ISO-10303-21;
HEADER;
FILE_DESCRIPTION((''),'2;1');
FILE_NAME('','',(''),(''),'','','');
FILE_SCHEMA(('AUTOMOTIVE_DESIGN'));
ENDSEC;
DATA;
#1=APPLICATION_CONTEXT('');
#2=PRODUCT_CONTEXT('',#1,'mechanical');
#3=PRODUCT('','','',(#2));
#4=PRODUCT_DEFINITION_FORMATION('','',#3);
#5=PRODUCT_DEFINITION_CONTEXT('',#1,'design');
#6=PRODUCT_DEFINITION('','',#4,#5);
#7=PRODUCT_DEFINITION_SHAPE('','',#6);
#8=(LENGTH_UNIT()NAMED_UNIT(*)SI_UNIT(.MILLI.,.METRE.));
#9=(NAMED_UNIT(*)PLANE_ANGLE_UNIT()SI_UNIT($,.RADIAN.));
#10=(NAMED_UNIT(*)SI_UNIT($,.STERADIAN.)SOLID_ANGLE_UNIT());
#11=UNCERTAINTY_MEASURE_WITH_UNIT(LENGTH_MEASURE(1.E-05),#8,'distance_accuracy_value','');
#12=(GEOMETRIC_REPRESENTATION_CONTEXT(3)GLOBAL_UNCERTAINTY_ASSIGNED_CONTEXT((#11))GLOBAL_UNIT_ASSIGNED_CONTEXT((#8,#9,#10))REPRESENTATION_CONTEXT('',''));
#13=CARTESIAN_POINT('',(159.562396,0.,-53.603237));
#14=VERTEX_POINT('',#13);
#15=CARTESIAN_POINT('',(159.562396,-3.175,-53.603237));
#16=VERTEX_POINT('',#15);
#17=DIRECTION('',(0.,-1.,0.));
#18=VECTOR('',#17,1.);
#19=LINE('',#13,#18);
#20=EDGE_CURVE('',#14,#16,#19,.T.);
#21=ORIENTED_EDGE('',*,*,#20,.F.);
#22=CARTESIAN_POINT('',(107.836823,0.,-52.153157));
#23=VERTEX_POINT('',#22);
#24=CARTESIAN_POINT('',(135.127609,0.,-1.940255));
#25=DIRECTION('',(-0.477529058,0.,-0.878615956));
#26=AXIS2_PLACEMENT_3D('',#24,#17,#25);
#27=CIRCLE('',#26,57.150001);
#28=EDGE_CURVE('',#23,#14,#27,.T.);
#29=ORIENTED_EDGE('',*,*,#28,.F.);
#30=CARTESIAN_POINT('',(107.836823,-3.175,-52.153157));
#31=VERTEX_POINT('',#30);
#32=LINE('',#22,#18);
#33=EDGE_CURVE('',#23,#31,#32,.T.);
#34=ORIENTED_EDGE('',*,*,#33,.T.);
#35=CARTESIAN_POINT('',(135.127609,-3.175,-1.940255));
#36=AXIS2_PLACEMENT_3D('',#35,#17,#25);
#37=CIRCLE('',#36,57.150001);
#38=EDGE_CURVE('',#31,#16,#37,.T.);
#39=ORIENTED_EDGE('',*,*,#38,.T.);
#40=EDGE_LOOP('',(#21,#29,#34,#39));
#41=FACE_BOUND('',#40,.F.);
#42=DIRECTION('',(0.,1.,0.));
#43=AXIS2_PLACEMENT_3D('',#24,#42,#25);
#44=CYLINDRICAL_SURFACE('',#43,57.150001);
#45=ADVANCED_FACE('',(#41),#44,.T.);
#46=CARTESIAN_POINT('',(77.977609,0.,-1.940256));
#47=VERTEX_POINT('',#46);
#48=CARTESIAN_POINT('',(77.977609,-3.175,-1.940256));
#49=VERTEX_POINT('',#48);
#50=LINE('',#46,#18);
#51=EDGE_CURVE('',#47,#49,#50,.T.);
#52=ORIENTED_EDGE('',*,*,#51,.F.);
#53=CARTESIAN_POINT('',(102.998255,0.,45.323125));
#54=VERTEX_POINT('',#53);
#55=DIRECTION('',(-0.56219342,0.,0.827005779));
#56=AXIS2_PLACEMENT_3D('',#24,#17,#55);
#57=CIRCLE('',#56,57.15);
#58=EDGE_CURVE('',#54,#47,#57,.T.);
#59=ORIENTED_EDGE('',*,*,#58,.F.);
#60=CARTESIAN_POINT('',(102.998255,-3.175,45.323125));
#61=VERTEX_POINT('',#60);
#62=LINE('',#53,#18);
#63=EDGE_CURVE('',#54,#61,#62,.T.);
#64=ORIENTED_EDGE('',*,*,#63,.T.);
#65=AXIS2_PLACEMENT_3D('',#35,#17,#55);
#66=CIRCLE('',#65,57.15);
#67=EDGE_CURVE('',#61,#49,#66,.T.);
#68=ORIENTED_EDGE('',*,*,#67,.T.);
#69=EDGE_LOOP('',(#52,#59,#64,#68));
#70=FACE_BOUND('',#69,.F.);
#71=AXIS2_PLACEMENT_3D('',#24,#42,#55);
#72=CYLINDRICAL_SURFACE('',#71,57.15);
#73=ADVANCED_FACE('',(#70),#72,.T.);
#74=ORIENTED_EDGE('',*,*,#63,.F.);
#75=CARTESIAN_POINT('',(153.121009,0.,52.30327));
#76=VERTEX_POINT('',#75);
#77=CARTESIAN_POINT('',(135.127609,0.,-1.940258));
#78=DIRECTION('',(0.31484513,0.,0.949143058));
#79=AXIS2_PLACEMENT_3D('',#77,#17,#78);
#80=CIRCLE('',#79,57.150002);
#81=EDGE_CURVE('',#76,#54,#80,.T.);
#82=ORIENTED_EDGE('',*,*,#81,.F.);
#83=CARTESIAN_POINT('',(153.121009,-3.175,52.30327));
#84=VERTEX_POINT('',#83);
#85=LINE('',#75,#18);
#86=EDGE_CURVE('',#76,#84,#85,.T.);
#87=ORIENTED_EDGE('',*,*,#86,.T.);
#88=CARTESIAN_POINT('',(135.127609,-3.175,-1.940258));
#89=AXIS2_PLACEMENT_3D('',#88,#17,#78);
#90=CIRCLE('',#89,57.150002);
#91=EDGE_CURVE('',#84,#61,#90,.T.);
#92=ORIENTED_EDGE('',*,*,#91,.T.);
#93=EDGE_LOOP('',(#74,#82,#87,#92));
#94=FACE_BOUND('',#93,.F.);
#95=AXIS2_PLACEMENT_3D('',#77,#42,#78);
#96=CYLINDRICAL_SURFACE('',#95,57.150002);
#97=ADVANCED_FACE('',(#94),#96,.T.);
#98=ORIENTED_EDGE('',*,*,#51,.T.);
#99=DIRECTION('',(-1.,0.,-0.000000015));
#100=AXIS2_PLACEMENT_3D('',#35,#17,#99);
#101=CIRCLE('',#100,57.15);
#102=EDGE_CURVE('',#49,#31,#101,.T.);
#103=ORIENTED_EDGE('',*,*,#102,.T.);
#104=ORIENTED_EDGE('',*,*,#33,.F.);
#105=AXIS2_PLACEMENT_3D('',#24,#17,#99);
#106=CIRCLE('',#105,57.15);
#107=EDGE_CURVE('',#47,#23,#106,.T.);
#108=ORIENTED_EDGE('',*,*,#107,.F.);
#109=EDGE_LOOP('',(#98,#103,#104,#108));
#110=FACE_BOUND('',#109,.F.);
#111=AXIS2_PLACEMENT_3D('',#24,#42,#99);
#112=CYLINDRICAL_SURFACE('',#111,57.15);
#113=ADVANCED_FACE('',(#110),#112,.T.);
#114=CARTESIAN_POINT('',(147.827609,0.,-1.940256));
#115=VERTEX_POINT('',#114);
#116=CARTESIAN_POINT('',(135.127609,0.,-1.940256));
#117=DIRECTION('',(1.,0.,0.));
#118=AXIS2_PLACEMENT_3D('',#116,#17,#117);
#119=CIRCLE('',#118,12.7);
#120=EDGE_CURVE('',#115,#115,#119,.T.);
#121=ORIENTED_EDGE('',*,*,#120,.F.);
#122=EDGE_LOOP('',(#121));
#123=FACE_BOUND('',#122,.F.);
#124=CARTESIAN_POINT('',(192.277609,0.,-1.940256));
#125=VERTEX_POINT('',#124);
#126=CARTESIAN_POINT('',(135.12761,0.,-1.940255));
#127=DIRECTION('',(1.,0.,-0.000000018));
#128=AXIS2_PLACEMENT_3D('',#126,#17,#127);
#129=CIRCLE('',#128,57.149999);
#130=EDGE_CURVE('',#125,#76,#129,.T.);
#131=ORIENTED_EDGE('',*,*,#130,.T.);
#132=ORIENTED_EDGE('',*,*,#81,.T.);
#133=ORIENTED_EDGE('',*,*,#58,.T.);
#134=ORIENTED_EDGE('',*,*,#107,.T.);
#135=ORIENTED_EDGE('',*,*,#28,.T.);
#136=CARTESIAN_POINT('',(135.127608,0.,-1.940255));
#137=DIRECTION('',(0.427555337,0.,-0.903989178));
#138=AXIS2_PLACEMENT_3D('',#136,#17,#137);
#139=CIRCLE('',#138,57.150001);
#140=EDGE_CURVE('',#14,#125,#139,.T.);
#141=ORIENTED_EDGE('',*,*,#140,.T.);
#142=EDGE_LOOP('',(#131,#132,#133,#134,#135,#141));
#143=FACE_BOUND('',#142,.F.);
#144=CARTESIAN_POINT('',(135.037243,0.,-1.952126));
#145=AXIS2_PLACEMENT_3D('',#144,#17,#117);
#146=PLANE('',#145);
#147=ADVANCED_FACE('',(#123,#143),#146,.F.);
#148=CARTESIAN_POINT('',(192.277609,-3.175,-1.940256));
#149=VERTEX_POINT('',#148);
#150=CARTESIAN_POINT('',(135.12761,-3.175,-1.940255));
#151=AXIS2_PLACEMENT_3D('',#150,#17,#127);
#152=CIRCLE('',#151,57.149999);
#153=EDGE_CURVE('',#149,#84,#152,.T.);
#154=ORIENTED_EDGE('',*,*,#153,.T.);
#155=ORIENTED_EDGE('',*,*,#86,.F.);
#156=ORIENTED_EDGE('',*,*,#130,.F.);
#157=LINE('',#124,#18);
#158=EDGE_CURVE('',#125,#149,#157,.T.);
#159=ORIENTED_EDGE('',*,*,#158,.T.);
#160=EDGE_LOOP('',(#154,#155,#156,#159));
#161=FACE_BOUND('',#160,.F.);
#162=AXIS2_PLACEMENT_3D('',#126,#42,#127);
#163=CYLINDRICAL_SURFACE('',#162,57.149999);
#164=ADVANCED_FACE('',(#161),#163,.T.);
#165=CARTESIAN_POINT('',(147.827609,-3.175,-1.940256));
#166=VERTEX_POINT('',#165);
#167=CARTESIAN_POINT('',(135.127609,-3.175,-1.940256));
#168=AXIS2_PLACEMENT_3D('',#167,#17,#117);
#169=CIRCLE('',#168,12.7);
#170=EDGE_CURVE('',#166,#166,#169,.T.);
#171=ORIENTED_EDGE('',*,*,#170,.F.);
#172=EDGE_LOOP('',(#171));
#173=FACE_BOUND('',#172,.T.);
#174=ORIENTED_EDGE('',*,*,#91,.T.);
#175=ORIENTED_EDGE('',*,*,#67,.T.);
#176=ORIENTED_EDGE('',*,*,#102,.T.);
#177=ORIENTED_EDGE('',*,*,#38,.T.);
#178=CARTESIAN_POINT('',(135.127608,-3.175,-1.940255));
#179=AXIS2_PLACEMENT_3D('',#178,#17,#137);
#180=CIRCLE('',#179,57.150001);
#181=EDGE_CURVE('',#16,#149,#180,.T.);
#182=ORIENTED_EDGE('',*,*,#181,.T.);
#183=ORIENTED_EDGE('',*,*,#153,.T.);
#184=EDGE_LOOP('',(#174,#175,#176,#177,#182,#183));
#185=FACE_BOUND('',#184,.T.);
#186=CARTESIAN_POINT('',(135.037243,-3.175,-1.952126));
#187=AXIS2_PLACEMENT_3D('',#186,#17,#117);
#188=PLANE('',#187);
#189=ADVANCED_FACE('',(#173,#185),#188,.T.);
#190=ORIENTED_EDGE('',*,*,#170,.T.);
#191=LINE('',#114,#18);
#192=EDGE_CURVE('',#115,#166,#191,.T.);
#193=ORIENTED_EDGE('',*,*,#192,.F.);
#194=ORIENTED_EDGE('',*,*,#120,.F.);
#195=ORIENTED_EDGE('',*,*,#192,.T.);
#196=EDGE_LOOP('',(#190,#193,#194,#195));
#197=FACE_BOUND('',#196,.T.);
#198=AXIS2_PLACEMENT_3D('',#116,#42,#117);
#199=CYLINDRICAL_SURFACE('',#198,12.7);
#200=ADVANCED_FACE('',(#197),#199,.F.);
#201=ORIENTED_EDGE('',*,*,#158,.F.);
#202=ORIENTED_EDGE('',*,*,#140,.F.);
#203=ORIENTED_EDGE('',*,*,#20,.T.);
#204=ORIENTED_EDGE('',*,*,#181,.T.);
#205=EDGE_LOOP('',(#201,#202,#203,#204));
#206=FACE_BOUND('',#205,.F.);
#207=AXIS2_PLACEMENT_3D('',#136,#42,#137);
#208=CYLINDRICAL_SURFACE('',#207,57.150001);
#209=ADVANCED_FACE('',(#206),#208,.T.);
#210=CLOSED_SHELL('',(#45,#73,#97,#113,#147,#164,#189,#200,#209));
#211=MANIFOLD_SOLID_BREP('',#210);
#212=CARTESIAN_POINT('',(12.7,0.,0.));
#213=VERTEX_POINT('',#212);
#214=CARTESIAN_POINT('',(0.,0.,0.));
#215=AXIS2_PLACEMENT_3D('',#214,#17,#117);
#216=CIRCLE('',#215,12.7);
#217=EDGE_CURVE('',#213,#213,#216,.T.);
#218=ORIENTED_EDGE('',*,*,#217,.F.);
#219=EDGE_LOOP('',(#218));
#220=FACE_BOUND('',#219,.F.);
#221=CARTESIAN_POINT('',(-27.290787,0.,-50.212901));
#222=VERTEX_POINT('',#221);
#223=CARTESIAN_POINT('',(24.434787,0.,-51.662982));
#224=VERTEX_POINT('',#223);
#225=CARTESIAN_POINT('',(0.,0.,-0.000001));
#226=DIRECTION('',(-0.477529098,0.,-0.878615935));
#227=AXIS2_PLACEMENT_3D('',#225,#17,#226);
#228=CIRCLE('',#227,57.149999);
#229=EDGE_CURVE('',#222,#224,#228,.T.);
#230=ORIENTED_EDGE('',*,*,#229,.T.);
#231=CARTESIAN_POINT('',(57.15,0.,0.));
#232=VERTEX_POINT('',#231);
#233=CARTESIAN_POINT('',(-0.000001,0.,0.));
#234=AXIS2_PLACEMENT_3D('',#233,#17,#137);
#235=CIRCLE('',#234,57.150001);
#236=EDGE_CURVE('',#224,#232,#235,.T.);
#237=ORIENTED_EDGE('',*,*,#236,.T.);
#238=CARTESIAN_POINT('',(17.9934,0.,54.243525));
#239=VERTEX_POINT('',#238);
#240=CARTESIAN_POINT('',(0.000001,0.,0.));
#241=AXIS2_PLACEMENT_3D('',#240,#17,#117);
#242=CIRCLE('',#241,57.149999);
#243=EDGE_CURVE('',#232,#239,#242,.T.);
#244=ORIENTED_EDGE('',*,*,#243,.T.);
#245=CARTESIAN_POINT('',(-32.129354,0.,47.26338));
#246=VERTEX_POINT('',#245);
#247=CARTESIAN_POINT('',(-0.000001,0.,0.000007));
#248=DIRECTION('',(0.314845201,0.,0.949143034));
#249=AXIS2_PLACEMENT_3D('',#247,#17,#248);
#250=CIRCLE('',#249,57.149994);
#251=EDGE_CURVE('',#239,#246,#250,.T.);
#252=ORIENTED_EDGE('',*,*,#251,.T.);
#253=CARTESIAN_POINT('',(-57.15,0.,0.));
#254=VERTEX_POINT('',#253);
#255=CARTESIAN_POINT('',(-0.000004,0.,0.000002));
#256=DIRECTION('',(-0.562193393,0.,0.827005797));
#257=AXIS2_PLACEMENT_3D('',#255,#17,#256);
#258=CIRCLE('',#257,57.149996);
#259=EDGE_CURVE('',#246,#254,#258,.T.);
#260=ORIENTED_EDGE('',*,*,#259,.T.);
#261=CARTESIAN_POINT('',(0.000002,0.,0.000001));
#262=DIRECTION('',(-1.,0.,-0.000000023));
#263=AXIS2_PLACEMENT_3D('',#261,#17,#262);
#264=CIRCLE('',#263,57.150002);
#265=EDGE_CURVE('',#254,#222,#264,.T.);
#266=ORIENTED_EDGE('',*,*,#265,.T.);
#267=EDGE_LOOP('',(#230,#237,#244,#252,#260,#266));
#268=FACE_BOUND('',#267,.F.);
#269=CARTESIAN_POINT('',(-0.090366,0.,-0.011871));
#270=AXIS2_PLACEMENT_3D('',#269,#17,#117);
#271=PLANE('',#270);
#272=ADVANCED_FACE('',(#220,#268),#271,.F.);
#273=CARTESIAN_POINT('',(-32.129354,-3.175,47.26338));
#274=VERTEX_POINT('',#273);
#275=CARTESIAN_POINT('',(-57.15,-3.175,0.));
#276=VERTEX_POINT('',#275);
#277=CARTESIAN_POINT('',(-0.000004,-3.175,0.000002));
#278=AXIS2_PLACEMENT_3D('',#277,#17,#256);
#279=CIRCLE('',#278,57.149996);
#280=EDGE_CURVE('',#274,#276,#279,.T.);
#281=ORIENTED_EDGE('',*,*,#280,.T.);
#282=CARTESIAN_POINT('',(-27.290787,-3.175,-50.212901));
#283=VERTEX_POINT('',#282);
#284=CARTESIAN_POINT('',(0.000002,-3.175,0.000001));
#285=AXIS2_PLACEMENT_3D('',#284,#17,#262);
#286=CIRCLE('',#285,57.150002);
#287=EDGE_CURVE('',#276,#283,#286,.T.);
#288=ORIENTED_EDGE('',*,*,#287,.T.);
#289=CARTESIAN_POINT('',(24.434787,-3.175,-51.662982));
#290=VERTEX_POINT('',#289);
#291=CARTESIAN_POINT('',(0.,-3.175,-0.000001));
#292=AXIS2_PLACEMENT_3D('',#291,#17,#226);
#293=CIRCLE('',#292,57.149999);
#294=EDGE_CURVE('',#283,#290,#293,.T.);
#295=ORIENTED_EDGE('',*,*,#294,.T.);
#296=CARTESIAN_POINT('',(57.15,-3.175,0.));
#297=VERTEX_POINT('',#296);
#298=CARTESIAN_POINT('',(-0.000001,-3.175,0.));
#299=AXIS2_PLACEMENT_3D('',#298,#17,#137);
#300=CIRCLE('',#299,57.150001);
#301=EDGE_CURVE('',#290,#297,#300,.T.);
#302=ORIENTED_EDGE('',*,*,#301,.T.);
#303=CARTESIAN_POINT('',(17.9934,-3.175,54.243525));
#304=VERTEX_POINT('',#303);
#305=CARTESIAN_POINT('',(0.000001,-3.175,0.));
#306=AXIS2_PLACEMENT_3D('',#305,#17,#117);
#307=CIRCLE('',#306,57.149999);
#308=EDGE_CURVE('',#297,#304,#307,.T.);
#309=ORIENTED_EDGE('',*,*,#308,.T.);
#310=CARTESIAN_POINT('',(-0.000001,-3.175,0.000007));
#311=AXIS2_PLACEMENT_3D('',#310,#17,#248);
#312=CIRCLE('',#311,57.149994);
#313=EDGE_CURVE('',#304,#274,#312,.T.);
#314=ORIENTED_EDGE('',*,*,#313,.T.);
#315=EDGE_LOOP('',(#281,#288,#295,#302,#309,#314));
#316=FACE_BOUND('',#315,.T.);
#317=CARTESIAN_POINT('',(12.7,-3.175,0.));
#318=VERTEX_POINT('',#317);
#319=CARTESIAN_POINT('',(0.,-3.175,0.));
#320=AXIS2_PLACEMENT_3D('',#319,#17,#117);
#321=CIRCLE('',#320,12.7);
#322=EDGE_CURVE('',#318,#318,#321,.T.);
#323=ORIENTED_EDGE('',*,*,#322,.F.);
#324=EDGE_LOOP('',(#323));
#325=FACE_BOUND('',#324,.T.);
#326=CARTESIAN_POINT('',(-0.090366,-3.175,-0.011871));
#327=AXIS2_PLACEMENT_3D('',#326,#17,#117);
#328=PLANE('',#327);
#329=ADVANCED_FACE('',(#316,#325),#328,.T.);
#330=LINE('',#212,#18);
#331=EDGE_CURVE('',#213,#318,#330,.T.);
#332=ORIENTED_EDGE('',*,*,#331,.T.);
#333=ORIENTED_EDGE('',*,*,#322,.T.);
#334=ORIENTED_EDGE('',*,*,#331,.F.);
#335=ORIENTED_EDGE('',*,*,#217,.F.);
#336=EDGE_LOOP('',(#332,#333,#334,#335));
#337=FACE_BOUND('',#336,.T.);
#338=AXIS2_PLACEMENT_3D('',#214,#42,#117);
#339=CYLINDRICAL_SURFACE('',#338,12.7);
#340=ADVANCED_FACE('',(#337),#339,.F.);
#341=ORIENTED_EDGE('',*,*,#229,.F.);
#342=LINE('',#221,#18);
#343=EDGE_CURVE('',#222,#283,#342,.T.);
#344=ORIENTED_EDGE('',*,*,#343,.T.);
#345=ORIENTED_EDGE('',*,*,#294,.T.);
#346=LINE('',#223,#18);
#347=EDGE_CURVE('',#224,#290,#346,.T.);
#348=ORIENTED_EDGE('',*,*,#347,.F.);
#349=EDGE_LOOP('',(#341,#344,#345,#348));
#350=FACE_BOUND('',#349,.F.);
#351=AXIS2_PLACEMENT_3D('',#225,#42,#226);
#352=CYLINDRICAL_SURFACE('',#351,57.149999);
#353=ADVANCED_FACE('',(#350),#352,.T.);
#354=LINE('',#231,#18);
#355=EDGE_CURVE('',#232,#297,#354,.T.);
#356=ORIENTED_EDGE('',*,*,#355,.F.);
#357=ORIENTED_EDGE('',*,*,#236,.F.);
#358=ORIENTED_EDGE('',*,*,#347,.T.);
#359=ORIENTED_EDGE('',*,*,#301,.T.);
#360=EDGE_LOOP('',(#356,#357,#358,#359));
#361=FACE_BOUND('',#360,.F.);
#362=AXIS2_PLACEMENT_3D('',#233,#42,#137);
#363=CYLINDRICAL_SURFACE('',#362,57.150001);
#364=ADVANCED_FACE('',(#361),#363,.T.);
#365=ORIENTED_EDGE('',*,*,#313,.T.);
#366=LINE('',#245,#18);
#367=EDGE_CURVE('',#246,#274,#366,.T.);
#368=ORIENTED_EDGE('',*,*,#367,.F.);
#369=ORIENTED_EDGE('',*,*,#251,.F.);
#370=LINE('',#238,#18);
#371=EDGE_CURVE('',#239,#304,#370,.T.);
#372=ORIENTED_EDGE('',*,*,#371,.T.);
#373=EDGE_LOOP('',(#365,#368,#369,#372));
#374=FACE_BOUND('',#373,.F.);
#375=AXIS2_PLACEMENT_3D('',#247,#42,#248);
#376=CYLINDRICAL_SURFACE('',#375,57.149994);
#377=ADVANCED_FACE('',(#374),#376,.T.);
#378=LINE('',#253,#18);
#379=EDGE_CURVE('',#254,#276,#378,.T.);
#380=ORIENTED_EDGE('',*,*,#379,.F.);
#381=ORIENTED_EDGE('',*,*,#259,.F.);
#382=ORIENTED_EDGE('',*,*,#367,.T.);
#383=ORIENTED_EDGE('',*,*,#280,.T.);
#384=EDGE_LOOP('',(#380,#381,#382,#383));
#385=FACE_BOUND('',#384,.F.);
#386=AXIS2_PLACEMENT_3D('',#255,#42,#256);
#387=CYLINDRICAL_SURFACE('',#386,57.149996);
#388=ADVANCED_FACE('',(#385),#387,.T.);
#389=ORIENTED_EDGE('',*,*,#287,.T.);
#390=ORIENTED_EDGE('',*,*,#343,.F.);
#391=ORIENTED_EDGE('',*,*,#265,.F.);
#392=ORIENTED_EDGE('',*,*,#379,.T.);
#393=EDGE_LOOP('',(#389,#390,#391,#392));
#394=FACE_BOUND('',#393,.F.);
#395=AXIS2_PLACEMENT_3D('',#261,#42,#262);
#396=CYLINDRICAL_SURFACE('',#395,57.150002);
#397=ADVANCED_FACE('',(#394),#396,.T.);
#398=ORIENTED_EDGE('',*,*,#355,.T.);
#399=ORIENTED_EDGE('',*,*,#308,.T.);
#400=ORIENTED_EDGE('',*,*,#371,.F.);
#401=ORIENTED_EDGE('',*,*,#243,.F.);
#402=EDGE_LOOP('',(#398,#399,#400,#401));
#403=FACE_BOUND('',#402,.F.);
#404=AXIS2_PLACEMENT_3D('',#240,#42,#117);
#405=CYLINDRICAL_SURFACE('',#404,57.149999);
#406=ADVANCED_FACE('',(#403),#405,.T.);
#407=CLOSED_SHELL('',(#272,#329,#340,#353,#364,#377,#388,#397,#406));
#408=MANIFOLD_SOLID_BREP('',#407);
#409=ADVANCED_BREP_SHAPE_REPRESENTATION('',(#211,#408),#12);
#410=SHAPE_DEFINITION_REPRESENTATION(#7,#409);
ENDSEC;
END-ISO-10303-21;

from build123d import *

# Parameters (mm, degrees)
F0_R     = 12.7
F1_DEPTH = 3.175


with BuildPart() as f1:
    # F0 (on Front) → F1 (new body)
    with BuildSketch(Plane.XZ):
        with BuildLine():
            ThreePointArc((24.434787, -51.662982), (48.283385, -30.575108), (57.15, 0))
            ThreePointArc((57.15, 0), (46.338134, 33.44996), (17.9934, 54.243525))
            ThreePointArc((17.9934, 54.243525), (-7.882696, 56.60376), (-32.129354, 47.26338))
            ThreePointArc((-32.129354, 47.26338), (-50.508985, 26.738829), (-57.15, 0))
            ThreePointArc((-57.15, 0), (-49.121232, -29.21005), (-27.290787, -50.212901))
            ThreePointArc((-27.290787, -50.212901), (-1.60152, -57.127556), (24.434787, -51.662982))
        make_face()
        Circle(F0_R, mode=Mode.SUBTRACT)
        with BuildLine():
            ThreePointArc((159.562396, -53.603237), (183.410994, -32.515363), (192.277609, -1.940256))
            ThreePointArc((192.277609, -1.940256), (181.465743, 31.509705), (153.121009, 52.30327))
            ThreePointArc((153.121009, 52.30327), (127.244913, 54.663504), (102.998255, 45.323125))
            ThreePointArc((102.998255, 45.323125), (84.618624, 24.798573), (77.977609, -1.940256))
            ThreePointArc((77.977609, -1.940256), (86.006377, -31.150306), (107.836823, -52.153157))
            ThreePointArc((107.836823, -52.153157), (133.526089, -59.067811), (159.562396, -53.603237))
        make_face()
        with Locations((135.127609, -1.940256)):
            Circle(F0_R, mode=Mode.SUBTRACT)
    extrude(amount=F1_DEPTH)


solid = f1.part
